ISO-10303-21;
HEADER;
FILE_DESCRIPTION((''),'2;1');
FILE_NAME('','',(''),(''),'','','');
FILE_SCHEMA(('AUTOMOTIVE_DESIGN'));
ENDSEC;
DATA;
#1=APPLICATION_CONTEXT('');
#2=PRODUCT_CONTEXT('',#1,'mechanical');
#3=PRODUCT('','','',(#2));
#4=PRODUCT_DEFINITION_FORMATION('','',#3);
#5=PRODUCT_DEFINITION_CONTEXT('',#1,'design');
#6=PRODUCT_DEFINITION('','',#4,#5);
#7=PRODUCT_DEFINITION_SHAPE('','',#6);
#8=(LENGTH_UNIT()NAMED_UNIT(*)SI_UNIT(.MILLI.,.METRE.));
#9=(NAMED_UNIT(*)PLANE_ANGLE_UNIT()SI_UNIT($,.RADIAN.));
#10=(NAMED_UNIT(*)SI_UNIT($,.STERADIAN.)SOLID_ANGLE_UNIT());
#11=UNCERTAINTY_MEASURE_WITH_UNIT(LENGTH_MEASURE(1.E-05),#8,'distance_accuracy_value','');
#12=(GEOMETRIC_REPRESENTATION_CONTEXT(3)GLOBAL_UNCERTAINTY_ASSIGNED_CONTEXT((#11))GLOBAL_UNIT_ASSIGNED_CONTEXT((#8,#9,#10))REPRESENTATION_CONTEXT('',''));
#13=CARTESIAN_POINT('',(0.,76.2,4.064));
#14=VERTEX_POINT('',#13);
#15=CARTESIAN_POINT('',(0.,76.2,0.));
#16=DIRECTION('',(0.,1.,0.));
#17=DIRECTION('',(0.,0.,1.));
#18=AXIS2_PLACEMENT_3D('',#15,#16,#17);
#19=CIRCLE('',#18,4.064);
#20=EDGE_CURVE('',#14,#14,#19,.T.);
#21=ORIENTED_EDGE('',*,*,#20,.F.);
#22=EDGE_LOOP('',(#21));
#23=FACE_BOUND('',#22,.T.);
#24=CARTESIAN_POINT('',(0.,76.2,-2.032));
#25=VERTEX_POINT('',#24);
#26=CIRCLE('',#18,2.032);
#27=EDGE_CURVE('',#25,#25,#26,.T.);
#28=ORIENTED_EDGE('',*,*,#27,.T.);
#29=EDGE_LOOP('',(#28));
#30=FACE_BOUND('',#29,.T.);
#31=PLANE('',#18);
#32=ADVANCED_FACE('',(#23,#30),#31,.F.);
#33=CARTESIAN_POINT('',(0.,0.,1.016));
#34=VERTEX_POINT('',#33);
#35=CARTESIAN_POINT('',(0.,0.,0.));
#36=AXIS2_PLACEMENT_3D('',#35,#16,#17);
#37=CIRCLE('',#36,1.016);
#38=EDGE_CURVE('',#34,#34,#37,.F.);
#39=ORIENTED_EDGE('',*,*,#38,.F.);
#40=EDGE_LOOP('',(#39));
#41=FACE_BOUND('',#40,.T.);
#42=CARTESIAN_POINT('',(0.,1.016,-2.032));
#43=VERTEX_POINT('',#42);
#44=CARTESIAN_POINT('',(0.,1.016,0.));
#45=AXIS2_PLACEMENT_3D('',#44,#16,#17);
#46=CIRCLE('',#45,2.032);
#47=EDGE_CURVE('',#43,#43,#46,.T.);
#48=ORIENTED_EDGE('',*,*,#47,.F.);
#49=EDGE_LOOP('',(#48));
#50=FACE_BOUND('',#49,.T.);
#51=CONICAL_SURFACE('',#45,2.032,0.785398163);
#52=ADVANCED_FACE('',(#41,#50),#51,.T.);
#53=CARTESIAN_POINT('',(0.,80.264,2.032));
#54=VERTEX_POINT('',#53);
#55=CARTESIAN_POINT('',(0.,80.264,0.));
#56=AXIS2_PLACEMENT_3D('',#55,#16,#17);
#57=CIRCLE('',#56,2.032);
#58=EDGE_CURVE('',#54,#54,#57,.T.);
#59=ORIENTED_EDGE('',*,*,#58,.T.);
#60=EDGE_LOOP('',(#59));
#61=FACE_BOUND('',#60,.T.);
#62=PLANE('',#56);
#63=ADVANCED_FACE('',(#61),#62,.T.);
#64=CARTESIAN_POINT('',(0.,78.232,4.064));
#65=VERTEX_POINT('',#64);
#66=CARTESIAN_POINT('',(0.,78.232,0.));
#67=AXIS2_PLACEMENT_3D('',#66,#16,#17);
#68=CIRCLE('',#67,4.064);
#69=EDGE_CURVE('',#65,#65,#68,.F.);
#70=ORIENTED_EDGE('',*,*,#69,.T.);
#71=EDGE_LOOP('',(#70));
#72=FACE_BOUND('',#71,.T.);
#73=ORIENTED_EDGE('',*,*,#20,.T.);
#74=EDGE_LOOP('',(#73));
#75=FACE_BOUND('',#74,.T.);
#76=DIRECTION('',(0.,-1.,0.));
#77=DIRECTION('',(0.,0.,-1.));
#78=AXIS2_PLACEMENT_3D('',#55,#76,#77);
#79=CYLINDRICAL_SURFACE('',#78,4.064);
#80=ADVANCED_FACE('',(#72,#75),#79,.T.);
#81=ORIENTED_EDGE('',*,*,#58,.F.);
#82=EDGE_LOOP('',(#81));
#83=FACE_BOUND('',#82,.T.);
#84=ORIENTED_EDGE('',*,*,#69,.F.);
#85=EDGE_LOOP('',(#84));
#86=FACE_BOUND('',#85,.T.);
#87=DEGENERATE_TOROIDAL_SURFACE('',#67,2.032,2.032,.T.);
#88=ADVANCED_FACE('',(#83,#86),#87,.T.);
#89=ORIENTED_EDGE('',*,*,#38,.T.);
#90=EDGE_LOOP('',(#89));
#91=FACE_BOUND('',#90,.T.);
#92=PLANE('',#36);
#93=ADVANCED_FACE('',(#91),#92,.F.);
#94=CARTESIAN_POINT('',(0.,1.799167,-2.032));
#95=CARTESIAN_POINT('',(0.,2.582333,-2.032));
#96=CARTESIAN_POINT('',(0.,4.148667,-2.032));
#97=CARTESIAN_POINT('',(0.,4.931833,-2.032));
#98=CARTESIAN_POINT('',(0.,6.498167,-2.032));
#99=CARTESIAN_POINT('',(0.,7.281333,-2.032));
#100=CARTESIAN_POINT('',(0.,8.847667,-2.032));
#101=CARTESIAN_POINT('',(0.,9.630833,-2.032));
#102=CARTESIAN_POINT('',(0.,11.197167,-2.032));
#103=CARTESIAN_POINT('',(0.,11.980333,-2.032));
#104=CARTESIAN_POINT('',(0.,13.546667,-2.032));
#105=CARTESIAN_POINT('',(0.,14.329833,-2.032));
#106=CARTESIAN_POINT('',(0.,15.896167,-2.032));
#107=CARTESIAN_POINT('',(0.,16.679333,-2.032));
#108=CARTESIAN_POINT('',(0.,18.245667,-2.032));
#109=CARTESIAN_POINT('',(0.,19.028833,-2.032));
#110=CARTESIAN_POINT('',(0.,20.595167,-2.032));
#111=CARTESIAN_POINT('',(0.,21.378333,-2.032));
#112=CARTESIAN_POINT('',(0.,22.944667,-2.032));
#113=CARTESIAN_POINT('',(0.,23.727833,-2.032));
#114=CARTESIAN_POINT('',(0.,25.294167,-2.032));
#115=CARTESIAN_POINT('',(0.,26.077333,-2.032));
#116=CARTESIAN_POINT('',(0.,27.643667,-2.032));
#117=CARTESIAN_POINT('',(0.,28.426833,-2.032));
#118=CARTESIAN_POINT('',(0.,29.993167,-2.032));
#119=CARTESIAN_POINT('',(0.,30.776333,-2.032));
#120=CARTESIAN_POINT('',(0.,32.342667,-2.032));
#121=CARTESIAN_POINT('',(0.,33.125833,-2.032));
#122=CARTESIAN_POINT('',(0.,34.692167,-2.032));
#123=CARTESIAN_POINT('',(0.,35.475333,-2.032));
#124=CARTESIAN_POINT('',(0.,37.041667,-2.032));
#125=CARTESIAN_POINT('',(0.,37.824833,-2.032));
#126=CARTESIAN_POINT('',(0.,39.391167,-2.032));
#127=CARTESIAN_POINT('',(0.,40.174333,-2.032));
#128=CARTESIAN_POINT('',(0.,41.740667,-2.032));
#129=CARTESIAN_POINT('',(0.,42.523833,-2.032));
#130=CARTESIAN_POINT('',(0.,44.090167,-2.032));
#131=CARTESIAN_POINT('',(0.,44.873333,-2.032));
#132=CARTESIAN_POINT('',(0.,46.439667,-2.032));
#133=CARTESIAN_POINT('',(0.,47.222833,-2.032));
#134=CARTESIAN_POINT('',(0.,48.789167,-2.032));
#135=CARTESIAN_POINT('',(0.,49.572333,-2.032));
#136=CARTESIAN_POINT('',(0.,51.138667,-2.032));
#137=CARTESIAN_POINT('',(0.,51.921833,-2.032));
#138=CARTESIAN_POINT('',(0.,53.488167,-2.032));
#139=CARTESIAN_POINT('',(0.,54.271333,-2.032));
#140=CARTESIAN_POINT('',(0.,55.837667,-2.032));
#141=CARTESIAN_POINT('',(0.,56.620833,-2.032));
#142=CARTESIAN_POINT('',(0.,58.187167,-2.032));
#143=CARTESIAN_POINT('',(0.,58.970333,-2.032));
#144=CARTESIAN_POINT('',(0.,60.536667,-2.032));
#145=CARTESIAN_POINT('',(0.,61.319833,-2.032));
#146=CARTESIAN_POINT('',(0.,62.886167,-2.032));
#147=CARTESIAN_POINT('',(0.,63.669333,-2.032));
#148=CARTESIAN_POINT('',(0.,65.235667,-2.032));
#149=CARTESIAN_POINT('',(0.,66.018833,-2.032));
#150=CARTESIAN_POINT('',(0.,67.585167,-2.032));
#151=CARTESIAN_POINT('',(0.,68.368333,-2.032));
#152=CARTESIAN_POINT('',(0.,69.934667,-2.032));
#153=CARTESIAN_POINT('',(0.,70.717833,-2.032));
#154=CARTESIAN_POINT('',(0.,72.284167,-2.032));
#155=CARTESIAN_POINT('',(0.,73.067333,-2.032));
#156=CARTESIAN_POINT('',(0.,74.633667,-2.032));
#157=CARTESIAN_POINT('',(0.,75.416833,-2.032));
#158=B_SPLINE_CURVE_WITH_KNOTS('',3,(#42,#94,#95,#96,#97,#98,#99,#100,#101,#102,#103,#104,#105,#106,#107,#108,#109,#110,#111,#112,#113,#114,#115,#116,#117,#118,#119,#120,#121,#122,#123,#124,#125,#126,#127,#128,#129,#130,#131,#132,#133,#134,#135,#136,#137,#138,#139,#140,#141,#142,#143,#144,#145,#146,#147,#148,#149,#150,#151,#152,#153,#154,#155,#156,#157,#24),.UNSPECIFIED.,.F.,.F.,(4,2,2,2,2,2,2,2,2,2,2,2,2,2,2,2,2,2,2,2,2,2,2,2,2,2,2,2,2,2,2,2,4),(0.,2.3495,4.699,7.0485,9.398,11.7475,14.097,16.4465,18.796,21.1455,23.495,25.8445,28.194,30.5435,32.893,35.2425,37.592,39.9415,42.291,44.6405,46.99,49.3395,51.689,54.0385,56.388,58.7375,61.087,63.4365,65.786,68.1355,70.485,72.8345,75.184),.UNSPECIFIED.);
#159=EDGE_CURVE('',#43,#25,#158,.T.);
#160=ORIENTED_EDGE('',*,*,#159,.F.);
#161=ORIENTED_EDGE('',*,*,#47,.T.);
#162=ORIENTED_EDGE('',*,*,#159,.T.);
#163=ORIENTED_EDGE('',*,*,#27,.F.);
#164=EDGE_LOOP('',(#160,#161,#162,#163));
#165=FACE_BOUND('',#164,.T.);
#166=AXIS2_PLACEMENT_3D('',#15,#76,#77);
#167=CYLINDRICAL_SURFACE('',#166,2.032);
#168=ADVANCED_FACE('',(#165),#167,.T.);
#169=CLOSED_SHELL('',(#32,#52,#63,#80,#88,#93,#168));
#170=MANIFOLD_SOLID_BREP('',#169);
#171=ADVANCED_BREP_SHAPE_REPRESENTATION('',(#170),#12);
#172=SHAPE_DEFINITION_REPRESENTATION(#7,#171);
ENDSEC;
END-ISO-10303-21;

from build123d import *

# Parameters (mm, degrees)
SKETCH1_R           = 2.032
BOSS_EXTRUDE1_DEPTH = 76.2
SKETCH2_R           = 4.064
BOSS_EXTRUDE2_DEPTH = 4.064
FILLET1_R           = 2.032
CHAMFER1_SIZE       = 1.016


with BuildPart() as part:
    # Sketch1 → Boss-Extrude1 (new body)
    with BuildSketch(Plane(origin=(0, 0, 0), x_dir=(1, 0, 0), z_dir=(0, 1, 0))):
        with Locations(Location((0, 0, 0), (0, 0, 90))):
            Circle(SKETCH1_R)
    extrude(amount=BOSS_EXTRUDE1_DEPTH)

    # Sketch2 → Boss-Extrude2 (add)
    with BuildSketch(Plane(origin=(0, 76.2, 0), x_dir=(1, 0, 0), z_dir=(0, 1, 0))):
        with Locations(Location((0, 0, 0), (0, 0, 270))):
            Circle(SKETCH2_R)
    extrude(amount=BOSS_EXTRUDE2_DEPTH)

    # Fillet1
    fillet1_edges = [part.edges().sort_by_distance(p)[0] for p in [
        (0, 80.264, -4.064),
    ]]
    fillet(fillet1_edges, radius=FILLET1_R)

    # Chamfer1
    chamfer1_edges = [part.edges().sort_by_distance(p)[0] for p in [
        (0, 0, 2.032),
    ]]
    chamfer(chamfer1_edges, length=CHAMFER1_SIZE)


solid = part.part
